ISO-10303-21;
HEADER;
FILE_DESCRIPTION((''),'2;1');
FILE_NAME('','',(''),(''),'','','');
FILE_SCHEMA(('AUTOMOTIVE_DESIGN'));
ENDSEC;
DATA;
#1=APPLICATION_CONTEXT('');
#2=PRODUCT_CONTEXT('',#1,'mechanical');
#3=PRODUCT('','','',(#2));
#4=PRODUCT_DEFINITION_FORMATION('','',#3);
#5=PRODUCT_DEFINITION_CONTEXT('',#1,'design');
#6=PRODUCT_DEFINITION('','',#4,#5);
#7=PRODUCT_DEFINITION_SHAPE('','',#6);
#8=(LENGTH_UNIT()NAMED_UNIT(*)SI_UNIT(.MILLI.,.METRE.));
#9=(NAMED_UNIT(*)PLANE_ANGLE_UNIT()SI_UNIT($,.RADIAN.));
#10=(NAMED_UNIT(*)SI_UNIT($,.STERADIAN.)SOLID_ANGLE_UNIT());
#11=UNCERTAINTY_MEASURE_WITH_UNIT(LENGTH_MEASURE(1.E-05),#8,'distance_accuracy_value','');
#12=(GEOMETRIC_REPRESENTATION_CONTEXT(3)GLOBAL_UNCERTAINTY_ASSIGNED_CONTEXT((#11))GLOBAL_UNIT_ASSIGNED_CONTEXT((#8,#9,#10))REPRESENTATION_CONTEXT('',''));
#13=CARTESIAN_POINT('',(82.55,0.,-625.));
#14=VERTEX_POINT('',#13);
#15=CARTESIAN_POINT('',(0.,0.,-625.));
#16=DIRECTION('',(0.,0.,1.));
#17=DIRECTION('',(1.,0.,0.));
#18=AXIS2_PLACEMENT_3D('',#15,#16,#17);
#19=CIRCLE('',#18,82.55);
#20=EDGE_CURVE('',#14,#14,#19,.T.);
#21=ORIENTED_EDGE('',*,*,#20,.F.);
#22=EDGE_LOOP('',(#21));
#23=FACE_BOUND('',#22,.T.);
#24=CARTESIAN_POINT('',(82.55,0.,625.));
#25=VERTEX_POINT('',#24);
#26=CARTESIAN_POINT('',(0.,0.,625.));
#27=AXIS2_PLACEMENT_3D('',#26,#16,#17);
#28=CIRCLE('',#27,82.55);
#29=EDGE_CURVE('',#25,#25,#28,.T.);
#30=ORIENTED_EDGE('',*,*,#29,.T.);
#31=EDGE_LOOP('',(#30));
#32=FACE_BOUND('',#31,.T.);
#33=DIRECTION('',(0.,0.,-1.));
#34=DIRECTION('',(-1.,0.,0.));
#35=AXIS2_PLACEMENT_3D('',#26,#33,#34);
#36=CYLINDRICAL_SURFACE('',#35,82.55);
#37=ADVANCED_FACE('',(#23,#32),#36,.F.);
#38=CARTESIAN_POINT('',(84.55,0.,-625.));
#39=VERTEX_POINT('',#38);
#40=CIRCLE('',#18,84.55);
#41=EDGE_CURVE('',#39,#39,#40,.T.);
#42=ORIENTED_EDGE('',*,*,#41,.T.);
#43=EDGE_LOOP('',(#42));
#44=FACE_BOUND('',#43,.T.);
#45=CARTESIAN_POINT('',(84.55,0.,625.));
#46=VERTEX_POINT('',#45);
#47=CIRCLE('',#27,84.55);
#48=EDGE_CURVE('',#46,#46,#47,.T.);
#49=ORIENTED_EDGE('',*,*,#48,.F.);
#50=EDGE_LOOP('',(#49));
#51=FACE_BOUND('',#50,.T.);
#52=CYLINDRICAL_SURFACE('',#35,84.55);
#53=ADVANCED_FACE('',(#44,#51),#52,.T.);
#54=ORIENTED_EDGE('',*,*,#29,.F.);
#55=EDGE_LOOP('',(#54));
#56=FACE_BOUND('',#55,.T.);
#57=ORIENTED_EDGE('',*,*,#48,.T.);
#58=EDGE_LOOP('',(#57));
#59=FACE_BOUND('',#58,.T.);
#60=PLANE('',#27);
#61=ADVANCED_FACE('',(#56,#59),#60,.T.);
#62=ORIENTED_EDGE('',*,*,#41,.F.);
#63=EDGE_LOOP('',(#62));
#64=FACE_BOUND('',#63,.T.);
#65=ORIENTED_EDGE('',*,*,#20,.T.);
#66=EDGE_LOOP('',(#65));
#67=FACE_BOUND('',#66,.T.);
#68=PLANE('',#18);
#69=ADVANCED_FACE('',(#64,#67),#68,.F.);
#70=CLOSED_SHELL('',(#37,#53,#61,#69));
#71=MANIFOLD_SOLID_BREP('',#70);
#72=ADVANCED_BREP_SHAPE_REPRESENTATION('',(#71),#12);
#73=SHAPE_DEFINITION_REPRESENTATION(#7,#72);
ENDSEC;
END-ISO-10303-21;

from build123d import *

# Parameters (mm, degrees)
SKETCH1_R           = 84.55
SKETCH1_R_2         = 82.55
BOSS_EXTRUDE1_DEPTH = 625


with BuildPart() as part:
    # Sketch1 → Boss-Extrude1 (new body, symmetric)
    with BuildSketch(Plane.XY):
        Circle(SKETCH1_R)
        Circle(SKETCH1_R_2, mode=Mode.SUBTRACT)
    extrude(amount=BOSS_EXTRUDE1_DEPTH, both=True)


solid = part.part
